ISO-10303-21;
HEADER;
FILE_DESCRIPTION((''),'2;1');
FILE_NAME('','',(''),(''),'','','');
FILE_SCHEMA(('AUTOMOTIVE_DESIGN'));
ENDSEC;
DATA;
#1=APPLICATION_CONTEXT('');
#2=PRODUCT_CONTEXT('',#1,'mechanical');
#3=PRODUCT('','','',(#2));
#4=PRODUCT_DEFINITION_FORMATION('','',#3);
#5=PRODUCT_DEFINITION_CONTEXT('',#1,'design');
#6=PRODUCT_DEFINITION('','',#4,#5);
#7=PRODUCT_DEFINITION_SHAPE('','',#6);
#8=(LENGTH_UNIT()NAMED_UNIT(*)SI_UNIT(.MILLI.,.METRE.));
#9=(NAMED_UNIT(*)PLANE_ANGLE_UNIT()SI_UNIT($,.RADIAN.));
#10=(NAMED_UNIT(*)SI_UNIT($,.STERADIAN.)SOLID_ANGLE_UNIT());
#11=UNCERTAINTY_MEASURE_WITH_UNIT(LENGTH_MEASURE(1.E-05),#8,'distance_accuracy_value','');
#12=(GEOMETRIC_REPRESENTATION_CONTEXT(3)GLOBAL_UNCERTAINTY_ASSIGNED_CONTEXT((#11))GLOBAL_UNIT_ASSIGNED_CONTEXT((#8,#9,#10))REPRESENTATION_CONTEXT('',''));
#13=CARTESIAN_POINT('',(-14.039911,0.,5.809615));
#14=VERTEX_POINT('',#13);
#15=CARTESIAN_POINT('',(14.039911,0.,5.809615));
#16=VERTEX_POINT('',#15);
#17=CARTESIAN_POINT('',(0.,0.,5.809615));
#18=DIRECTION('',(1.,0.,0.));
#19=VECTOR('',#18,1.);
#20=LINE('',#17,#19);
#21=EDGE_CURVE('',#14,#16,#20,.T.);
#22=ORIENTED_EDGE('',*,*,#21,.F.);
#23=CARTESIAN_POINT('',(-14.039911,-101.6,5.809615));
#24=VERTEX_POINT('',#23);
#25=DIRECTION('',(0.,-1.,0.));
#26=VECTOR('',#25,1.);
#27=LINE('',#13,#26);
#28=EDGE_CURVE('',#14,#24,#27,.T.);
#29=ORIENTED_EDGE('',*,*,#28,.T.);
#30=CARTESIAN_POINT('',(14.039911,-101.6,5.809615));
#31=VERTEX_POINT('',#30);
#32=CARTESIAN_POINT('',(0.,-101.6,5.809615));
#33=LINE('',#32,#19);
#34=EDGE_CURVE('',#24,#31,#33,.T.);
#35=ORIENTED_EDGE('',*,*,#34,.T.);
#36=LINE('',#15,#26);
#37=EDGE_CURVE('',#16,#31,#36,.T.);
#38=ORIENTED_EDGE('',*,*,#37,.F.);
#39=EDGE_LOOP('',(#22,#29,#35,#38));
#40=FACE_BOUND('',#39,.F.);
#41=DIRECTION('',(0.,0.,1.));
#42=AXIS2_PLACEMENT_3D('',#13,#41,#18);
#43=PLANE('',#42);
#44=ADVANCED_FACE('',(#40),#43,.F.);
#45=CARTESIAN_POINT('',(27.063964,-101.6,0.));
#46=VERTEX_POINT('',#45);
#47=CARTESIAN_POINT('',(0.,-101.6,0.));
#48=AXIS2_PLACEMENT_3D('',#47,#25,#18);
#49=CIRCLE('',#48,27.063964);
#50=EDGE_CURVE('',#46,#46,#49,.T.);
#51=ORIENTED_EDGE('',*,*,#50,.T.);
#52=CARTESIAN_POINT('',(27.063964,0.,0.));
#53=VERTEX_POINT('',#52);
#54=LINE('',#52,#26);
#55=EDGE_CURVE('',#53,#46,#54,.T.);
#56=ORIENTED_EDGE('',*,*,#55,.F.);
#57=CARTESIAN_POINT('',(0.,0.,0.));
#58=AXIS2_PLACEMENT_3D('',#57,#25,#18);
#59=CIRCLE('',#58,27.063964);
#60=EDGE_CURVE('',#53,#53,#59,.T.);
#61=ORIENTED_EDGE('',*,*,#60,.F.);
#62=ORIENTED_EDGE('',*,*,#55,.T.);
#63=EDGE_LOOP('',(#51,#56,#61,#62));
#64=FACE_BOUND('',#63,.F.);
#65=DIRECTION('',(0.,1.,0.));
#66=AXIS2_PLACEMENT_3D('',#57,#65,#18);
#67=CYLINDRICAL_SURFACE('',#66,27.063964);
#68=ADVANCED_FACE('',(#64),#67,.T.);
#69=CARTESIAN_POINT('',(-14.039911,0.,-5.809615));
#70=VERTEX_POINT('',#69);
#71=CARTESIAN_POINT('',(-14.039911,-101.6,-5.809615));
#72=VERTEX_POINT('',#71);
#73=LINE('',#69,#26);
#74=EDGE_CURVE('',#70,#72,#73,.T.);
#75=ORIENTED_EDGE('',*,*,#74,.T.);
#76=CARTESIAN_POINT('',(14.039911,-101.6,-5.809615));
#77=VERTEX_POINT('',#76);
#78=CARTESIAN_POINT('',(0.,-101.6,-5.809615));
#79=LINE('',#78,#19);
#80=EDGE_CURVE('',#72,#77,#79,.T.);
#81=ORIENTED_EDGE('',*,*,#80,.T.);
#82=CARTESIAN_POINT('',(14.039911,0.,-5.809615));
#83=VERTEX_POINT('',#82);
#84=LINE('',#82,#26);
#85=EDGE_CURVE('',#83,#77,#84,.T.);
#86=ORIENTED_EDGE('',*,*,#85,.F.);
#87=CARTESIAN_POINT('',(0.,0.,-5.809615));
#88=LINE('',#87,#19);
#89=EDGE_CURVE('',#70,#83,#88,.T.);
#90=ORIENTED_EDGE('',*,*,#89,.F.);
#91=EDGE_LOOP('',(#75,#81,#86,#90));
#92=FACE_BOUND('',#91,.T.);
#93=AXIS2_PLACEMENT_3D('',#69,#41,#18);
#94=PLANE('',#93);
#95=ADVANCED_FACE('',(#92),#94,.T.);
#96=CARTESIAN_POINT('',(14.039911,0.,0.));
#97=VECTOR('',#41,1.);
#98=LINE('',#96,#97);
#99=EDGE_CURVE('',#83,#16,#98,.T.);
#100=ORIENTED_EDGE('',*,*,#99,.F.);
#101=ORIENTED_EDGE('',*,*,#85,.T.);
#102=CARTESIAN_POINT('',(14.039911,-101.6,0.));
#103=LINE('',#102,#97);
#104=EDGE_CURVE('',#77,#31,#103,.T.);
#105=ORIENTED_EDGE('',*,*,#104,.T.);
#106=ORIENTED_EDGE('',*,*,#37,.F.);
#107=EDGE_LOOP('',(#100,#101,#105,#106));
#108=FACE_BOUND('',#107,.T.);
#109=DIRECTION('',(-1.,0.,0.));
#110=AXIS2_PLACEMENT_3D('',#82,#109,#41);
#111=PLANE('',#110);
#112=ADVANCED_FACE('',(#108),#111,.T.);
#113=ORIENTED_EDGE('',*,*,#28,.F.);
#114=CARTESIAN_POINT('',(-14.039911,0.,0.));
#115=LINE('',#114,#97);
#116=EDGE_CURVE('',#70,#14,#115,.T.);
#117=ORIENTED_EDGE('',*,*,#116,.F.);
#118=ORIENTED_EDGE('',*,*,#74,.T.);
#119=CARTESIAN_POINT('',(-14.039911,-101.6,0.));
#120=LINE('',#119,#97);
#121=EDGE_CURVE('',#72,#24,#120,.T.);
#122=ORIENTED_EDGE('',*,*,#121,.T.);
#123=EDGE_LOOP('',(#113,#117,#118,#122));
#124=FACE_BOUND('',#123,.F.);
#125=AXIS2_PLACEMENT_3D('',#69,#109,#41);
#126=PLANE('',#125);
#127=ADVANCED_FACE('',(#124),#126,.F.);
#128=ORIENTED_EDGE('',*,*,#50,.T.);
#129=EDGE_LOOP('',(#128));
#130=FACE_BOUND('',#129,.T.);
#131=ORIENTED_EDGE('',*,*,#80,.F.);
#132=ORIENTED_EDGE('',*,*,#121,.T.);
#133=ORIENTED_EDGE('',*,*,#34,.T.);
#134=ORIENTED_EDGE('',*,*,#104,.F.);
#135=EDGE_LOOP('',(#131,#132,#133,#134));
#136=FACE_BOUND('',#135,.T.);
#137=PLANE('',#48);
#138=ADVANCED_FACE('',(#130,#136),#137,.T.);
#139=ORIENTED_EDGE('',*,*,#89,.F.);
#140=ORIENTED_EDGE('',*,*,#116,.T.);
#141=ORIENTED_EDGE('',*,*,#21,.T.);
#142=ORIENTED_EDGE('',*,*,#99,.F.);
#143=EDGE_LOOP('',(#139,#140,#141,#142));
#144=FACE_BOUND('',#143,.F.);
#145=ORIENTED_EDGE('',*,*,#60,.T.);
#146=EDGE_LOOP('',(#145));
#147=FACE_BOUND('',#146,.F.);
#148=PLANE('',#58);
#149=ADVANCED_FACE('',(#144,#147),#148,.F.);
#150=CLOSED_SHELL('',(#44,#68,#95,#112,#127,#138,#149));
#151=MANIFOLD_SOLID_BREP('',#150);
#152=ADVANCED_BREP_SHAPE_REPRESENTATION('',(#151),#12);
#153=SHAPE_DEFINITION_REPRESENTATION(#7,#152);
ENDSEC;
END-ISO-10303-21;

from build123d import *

# Parameters (mm, degrees)
F0_R     = 27.063964
F0_W     = 28.079822
F0_H     = 11.61923
F1_DEPTH = 101.6


with BuildPart() as f1:
    # F0 (on Front) → F1 (new body)
    with BuildSketch(Plane.XZ):
        Circle(F0_R)
        Rectangle(F0_W, F0_H, mode=Mode.SUBTRACT)
    extrude(amount=F1_DEPTH)


solid = f1.part
